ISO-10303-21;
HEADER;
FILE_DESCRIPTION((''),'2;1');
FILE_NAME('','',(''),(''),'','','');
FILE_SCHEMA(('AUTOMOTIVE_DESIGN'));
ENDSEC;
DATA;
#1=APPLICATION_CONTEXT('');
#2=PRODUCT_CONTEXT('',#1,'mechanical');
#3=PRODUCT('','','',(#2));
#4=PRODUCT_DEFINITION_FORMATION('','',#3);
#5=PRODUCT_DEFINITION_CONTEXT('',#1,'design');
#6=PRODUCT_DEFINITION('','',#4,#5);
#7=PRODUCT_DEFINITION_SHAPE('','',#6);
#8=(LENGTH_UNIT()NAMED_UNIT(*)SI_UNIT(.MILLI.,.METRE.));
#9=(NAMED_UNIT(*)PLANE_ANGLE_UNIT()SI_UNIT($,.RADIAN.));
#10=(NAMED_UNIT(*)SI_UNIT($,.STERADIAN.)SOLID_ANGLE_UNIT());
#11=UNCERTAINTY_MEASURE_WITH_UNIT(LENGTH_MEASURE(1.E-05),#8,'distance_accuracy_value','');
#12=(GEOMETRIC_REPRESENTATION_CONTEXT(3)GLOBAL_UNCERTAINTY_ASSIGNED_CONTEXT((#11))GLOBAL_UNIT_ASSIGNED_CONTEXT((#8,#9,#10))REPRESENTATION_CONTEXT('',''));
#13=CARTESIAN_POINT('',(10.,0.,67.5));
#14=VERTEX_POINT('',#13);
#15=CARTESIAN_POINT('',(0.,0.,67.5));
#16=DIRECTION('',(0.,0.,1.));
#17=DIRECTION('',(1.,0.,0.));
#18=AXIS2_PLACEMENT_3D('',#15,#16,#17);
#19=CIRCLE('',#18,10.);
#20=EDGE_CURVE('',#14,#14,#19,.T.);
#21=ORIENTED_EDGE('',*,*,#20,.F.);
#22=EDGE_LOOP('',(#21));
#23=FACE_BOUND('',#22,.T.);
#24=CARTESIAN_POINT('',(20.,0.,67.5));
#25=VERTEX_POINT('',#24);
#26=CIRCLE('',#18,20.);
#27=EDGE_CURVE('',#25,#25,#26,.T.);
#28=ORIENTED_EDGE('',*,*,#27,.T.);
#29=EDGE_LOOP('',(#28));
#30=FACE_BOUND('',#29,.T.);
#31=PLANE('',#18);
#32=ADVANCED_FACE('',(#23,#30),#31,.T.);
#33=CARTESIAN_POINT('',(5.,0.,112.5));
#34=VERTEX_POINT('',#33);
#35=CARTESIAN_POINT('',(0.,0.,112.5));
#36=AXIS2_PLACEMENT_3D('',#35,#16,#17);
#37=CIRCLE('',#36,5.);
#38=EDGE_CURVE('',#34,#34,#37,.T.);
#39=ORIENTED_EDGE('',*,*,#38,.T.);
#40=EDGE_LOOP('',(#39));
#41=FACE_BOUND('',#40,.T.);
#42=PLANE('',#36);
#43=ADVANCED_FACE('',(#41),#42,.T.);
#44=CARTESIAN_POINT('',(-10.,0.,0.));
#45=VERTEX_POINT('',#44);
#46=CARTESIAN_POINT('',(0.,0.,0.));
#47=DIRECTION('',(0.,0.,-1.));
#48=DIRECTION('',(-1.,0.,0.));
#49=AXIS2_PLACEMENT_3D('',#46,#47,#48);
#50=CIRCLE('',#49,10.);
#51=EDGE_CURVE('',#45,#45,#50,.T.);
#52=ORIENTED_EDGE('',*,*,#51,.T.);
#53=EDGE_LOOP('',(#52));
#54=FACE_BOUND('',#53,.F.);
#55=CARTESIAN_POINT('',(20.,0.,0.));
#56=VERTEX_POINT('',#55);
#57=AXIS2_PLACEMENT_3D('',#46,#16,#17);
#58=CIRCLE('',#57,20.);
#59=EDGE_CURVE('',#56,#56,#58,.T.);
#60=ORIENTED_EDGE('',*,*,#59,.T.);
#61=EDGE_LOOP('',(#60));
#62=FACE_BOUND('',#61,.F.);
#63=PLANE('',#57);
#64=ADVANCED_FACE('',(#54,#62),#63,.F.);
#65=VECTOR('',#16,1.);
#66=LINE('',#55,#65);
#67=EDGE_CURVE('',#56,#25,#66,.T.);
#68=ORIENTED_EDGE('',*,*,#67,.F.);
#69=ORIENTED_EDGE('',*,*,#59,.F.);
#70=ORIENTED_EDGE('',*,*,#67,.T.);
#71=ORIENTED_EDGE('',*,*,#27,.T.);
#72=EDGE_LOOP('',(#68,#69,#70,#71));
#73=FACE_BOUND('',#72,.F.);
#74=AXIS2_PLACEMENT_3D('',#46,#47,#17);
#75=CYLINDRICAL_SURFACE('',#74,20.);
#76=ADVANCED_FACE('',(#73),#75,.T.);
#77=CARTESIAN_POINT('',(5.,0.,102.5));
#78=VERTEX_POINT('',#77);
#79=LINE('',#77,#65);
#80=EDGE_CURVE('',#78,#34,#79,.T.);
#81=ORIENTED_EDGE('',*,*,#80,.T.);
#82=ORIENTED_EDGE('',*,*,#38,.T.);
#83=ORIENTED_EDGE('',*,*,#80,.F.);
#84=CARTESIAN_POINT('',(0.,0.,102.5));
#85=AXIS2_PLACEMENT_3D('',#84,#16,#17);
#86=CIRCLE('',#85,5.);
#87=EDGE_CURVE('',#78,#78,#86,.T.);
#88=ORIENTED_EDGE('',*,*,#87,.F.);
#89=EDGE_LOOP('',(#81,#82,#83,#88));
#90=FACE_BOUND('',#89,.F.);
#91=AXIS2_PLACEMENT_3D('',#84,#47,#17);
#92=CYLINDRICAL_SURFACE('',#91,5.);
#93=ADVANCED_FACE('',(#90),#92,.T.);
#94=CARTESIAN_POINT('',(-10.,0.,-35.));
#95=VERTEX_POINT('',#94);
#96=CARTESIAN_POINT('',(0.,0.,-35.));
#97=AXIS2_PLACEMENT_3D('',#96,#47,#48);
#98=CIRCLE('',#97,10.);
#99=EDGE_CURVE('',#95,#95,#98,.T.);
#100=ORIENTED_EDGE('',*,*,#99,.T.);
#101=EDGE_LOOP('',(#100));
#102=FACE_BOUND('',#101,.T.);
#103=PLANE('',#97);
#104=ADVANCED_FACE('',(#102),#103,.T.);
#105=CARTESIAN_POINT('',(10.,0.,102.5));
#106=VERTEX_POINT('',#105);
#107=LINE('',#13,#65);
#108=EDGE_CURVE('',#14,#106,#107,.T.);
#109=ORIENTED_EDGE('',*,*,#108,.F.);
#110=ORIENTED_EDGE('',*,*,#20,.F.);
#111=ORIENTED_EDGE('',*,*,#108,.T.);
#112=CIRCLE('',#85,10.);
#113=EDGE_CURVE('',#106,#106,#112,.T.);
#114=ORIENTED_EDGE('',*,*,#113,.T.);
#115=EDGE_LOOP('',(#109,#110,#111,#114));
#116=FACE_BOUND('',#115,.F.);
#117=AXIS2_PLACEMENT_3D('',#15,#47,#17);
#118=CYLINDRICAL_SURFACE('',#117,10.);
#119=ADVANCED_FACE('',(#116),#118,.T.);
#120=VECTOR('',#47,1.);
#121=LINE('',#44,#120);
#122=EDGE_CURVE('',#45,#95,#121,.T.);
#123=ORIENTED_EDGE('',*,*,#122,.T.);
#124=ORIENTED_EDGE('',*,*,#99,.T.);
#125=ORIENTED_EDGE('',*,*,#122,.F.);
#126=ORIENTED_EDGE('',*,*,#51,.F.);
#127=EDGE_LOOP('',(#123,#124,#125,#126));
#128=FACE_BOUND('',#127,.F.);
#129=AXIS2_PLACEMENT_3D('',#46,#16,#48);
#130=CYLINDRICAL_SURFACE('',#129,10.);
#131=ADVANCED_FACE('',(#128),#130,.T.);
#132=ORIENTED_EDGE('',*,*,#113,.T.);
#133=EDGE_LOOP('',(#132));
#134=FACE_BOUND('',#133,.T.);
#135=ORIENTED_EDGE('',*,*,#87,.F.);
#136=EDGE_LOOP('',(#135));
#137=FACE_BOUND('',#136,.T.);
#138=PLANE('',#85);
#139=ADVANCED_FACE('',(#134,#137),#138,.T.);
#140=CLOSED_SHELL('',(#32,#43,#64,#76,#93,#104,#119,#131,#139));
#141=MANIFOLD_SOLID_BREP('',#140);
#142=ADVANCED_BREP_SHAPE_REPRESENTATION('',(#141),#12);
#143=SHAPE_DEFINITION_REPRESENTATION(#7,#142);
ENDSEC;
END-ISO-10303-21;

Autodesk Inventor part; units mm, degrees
ref_plane "YZ Plane" through (0, 0, 0) normal (1, 0, 0) x (0, 1, 0)
ref_plane "XZ Plane" through (0, 0, 0) normal (0, 1, 0) x (-1, 0, 0)
ref_plane "XY Plane" through (0, 0, 0) normal (0, 0, 1) x (1, 0, 0)
sketch "Sketch1" plane through (0, 0, 0) normal (0, 0, 1) x (1, 0, 0)
  circle A0 centre (0, 0) radius 20
  dimension "d0" = 40
extrude "Extrusion1" add sketch "Sketch1" along normal blind 67.5
sketch "Sketch2" plane through (0, 0, 67.5) normal (0, 0, 1) x (1, 0, 0)
  circle A0 centre (0, 0) radius 10
  dimension "d3" = 20
extrude "Extrusion2" add sketch "Sketch2" along normal blind 35
sketch "Sketch3" plane through (0, 0, 0) normal (0, 0, -1) x (-1, 0, 0)
  circle A0 centre (0, 0) radius 10
  dimension "d8" = 20
extrude "Extrusion3" add sketch "Sketch3" along normal blind 35
sketch "Sketch4" plane through (0, 0, 102.5) normal (0, 0, 1) x (1, 0, 0)
  circle A0 centre (0, 0) radius 5
  dimension "d9" = 10
extrude "Extrusion4" add sketch "Sketch4" along normal blind 10
properties part number "rolling"
